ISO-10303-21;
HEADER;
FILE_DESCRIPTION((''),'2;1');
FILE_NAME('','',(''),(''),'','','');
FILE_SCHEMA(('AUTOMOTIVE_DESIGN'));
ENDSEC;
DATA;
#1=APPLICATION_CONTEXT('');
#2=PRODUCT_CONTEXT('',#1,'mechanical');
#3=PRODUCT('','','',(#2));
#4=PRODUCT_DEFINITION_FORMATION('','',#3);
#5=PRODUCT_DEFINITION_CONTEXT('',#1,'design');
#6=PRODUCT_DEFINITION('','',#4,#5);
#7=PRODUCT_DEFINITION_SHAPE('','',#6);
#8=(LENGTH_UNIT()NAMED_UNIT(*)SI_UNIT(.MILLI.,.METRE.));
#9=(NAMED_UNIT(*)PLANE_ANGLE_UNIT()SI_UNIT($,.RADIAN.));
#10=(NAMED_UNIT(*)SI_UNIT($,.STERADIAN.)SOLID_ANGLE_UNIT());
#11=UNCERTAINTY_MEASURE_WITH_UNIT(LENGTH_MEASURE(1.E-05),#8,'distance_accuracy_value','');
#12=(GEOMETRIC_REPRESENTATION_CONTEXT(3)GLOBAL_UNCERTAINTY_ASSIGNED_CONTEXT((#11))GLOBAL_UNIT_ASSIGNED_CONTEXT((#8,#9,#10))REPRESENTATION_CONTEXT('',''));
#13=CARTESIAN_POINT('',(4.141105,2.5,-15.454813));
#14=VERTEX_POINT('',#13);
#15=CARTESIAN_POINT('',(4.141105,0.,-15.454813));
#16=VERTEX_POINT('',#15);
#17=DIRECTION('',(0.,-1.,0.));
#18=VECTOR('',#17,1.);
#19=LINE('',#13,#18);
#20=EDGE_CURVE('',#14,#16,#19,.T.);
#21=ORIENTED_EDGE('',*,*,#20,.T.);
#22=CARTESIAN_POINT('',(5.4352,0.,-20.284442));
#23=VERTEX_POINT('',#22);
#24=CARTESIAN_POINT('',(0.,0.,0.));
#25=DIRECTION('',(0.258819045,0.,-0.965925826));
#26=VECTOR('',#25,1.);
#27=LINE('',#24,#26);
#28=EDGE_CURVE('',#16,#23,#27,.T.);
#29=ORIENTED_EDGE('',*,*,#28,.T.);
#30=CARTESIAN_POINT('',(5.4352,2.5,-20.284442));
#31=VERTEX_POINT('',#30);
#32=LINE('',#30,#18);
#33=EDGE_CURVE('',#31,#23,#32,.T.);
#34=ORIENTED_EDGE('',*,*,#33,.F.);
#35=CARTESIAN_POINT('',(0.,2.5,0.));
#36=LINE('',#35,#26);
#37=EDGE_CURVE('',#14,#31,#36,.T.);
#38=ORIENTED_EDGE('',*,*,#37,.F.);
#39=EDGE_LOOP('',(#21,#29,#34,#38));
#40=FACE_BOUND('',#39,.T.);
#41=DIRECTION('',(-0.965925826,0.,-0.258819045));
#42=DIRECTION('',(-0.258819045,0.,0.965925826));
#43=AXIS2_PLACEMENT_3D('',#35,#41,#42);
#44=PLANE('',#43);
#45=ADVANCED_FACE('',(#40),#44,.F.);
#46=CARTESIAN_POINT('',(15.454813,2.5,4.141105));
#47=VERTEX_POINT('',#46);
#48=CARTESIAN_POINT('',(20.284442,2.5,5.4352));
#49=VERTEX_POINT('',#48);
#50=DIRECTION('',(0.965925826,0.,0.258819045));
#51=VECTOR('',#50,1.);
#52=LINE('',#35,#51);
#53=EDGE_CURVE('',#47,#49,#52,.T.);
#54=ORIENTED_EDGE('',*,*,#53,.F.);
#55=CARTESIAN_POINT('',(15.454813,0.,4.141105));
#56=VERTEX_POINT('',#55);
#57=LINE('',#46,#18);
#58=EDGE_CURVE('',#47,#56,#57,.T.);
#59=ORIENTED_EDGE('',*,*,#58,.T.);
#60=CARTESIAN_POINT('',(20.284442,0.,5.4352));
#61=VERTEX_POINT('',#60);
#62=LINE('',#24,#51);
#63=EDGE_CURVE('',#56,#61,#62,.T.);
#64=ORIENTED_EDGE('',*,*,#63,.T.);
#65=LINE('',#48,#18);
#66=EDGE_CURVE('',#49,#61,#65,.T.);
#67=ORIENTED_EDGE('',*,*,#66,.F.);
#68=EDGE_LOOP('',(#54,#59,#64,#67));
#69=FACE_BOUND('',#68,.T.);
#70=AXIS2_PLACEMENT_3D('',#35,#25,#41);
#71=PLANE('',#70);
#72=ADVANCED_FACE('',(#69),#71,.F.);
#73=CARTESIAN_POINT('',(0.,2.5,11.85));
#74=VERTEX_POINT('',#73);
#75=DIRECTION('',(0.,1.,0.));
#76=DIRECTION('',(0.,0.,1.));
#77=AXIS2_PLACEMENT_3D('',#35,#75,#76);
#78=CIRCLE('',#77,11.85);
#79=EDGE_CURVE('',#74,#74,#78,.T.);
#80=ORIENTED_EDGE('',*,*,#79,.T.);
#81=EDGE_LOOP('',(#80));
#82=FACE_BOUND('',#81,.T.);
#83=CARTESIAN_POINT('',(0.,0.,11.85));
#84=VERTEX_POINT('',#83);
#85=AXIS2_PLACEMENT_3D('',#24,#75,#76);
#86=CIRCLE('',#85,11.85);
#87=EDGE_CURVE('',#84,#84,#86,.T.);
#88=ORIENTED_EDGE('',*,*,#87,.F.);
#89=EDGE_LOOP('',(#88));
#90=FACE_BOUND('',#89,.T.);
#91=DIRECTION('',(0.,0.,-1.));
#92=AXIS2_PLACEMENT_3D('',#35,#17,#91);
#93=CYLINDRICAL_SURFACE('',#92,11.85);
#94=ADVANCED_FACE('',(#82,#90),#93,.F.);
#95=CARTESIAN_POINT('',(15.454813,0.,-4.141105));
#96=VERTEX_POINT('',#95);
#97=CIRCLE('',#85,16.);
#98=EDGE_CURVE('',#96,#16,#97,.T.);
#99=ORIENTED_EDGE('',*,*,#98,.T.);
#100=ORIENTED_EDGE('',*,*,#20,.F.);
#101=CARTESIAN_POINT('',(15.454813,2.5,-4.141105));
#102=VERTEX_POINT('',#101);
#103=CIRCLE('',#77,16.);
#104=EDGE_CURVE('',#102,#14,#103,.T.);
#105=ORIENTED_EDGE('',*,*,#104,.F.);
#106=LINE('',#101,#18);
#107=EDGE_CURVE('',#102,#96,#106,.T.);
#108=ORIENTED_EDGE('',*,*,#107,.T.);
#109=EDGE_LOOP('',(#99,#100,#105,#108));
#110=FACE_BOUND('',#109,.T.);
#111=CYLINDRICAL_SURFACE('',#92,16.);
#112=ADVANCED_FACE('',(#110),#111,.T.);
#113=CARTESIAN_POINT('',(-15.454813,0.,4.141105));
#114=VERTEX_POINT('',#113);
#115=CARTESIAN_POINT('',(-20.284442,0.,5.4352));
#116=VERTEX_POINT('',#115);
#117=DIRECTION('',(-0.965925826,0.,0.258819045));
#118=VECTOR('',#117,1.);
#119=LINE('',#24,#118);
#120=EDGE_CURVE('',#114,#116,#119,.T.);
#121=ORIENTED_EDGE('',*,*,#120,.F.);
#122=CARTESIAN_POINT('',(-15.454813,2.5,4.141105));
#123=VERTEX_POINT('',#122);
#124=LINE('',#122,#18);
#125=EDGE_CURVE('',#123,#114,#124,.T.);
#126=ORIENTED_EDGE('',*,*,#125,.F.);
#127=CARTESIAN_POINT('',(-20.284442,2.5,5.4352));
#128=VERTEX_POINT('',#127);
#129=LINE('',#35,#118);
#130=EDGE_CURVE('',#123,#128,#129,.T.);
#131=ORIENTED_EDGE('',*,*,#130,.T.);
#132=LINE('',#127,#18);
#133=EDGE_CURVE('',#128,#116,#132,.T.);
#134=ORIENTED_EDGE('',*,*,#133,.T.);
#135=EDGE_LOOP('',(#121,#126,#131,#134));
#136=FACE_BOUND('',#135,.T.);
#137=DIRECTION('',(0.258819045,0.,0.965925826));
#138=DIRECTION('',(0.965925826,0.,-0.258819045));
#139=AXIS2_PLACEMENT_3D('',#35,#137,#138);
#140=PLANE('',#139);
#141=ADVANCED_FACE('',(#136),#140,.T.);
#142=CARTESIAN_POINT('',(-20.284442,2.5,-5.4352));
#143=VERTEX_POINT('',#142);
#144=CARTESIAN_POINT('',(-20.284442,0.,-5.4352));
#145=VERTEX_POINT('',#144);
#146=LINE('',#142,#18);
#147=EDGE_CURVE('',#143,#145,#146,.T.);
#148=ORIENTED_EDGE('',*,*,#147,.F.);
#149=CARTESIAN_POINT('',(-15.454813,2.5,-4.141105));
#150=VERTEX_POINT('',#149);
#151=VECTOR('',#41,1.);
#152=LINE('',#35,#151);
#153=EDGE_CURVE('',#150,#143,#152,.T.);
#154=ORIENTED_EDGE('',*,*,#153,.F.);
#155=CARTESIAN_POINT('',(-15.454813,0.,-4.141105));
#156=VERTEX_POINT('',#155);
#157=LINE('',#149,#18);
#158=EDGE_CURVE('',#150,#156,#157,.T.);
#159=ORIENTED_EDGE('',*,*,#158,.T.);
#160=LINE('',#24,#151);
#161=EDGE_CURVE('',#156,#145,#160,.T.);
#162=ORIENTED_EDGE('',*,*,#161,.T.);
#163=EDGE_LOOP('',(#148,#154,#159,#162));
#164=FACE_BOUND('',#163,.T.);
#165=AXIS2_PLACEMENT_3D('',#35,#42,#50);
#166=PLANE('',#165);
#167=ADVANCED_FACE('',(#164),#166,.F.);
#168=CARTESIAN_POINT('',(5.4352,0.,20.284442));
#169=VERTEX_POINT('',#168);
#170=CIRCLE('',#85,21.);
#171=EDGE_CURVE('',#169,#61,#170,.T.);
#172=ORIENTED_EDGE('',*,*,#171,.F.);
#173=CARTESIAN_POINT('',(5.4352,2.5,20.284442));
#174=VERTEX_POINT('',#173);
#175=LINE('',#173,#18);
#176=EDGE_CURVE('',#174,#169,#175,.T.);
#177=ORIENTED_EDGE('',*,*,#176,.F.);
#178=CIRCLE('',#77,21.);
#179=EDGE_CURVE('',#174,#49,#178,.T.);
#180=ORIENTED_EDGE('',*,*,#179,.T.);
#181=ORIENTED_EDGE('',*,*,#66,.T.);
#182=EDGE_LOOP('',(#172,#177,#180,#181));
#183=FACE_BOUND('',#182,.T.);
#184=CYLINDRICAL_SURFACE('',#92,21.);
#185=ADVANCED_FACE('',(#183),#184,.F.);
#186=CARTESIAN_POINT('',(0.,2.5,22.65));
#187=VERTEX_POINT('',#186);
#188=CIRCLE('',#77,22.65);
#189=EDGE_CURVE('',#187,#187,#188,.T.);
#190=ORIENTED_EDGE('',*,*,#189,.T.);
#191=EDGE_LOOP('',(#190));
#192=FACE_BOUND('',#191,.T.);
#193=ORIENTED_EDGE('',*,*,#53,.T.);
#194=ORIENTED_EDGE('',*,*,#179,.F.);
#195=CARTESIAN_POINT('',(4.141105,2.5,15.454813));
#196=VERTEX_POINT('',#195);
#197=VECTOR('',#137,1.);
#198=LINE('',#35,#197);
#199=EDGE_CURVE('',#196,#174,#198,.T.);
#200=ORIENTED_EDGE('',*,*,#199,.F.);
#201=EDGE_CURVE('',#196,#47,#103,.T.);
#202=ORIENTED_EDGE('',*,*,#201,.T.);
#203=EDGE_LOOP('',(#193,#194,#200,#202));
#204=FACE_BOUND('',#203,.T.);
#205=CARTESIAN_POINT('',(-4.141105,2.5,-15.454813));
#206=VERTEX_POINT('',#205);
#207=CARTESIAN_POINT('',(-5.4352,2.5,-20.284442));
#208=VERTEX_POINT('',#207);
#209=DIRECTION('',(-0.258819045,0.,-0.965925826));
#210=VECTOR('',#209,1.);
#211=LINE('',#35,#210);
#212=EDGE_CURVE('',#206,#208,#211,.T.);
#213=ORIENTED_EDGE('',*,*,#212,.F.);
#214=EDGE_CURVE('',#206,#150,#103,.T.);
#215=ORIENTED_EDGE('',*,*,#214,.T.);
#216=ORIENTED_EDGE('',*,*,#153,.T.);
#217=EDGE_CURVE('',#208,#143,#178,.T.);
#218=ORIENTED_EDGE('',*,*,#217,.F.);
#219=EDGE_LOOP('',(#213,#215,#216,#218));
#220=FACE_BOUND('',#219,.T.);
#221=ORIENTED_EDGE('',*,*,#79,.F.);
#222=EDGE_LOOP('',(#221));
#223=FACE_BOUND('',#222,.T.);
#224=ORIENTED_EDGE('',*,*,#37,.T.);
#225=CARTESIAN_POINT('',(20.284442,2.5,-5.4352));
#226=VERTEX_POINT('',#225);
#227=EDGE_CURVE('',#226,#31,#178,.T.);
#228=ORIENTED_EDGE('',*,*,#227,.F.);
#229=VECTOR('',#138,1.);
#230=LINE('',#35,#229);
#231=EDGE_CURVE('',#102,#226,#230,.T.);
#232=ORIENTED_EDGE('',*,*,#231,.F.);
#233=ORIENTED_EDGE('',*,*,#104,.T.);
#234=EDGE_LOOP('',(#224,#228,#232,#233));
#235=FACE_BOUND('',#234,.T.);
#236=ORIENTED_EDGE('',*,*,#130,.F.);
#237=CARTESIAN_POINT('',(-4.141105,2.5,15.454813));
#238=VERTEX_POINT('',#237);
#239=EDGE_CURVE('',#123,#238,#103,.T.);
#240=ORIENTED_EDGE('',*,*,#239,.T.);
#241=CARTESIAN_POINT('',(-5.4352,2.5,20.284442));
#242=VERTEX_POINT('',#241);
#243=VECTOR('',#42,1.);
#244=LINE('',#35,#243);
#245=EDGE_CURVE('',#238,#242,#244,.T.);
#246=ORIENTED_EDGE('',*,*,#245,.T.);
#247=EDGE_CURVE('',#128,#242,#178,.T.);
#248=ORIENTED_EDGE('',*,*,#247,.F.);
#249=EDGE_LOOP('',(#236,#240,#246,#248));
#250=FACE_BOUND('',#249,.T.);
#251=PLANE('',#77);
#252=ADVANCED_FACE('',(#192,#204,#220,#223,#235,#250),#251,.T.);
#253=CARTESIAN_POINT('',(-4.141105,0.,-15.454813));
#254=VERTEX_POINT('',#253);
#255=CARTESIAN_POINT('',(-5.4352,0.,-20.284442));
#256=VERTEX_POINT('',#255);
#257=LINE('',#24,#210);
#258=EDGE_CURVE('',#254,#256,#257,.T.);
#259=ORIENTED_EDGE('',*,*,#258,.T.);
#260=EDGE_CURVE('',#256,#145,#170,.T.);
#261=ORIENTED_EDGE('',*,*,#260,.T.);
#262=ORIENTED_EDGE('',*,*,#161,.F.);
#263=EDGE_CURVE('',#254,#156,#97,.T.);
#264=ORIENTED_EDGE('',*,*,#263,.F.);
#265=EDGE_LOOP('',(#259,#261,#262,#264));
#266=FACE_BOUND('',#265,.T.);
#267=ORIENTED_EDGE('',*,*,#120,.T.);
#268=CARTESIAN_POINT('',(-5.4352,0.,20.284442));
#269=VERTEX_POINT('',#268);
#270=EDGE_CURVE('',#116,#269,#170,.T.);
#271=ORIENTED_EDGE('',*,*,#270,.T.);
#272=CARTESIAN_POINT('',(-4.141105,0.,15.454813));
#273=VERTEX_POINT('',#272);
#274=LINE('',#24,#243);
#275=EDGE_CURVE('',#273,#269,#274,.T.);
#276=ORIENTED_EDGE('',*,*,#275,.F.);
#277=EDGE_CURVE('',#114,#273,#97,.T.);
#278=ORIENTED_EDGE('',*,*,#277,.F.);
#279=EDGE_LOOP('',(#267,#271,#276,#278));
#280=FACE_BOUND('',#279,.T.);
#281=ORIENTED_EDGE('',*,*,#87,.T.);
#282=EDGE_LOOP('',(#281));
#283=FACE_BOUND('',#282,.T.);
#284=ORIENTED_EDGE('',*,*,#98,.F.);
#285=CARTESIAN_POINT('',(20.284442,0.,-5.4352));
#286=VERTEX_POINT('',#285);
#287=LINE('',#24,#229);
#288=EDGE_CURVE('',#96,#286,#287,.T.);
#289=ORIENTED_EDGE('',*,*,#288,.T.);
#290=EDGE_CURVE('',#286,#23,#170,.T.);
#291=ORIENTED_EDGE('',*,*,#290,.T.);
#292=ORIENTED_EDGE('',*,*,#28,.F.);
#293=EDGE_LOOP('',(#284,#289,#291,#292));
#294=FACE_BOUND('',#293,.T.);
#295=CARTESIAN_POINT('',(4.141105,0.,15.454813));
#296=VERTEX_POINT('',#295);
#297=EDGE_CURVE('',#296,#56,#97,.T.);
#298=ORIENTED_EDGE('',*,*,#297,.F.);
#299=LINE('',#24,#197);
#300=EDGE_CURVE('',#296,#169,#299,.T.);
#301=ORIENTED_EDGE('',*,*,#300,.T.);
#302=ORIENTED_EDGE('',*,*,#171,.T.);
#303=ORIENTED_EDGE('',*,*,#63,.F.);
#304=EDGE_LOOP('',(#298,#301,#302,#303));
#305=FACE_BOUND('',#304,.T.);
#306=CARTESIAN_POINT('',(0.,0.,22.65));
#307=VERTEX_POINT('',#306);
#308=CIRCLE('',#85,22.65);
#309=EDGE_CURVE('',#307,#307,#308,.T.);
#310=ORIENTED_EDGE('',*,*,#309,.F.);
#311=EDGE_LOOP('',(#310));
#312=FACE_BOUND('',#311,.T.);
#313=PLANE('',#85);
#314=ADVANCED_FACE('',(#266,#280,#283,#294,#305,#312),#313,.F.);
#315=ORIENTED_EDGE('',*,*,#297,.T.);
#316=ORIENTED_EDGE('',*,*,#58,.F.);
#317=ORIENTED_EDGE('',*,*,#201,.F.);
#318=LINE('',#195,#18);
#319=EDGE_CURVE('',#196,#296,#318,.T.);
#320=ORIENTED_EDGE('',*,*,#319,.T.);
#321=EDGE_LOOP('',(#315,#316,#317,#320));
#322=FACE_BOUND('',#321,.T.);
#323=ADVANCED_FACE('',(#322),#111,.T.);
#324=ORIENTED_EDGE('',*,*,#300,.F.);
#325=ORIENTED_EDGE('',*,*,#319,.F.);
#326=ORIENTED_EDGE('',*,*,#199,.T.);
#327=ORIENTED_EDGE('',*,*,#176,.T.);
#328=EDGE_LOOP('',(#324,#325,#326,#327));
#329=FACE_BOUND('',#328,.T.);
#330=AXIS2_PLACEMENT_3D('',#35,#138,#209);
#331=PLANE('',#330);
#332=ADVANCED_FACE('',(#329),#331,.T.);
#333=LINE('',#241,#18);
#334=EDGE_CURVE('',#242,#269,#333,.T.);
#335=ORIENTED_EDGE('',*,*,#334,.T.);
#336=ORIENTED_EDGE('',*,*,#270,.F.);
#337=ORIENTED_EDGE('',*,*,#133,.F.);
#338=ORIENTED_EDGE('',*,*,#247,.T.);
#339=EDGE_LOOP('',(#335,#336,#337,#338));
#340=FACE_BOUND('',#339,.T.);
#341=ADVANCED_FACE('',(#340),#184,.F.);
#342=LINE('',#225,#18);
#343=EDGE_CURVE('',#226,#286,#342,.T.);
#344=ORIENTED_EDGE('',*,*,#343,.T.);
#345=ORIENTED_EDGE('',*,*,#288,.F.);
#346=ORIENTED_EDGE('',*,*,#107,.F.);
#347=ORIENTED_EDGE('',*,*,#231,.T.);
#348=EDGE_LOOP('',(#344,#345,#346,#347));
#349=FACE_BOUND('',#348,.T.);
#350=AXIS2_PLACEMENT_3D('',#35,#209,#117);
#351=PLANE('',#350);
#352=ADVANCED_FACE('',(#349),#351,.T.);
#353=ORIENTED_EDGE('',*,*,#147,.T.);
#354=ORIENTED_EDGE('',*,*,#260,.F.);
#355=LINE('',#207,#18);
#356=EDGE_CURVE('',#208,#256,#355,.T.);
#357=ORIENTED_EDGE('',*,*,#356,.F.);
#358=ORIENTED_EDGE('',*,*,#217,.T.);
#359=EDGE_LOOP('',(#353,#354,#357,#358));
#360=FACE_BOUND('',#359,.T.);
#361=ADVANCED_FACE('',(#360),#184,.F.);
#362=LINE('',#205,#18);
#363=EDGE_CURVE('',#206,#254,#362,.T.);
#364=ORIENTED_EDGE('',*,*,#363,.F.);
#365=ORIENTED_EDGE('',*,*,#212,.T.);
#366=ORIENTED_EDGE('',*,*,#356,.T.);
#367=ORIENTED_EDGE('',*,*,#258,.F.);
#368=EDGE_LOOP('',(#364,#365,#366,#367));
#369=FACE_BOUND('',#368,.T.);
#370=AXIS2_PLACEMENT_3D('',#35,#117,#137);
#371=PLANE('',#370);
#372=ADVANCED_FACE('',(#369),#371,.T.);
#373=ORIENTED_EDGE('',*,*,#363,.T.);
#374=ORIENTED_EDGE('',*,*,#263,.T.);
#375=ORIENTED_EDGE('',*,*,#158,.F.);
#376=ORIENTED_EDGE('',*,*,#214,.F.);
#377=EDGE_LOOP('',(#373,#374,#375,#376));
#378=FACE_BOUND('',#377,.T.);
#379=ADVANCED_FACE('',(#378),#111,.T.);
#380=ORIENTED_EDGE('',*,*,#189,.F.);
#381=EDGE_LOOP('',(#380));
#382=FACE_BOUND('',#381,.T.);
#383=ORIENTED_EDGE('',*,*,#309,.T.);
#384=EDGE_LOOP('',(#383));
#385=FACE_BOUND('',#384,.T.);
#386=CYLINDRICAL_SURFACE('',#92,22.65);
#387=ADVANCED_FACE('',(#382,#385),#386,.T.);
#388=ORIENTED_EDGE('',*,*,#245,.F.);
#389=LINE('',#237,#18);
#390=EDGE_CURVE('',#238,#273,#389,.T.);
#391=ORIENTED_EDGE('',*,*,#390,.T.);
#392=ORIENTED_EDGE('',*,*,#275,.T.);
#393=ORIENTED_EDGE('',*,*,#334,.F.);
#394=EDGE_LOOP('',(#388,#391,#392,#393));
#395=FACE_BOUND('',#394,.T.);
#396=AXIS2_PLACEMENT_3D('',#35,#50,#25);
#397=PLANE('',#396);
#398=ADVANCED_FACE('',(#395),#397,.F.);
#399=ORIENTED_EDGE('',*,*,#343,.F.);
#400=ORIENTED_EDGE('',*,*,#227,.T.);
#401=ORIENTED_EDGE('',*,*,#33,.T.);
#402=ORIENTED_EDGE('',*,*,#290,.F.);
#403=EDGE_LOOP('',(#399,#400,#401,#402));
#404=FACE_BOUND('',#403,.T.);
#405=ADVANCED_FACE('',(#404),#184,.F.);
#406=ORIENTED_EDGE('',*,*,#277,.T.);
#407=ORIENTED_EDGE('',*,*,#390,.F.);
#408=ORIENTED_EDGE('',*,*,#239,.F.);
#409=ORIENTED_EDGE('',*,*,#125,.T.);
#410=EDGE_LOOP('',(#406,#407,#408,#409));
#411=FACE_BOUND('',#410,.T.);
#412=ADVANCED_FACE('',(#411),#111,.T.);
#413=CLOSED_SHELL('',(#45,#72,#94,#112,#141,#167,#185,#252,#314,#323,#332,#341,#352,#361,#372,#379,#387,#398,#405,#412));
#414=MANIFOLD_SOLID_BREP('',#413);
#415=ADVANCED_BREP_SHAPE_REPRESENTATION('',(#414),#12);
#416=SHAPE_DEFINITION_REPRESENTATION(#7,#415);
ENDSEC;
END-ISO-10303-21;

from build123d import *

# Parameters (mm, degrees)
BOSS_EXTRUDE2_DEPTH = 2.5


with BuildPart() as part:
    # Sketch1 → Boss-Extrude2 (new body)
    with BuildSketch(Plane(origin=(0, 0, 0), x_dir=(1, 0, 0), z_dir=(0, 1, 0))):
        with BuildLine():
            ThreePointArc((-20.284442352, 5.435199947), (-14.849242405, 14.849242405), (-5.435199947, 20.284442352))
            Line((-5.435199947, 20.284442352), (-5.862251372, 21.878219965))
            ThreePointArc((-5.862251372, 21.878219965), (-16.015968594, 16.015968594), (-21.878219965, 5.862251372))
            Line((-21.878219965, 5.862251372), (-20.284442352, 5.435199947))
        make_face()
        with BuildLine():
            ThreePointArc((-20.284442352, -5.435199947), (-21, 0), (-20.284442352, 5.435199947))
            Line((-20.284442352, 5.435199947), (-21.878219965, 5.862251372))
            ThreePointArc((-21.878219965, 5.862251372), (-22.65, 0), (-21.878219965, -5.862251372))
            Line((-21.878219965, -5.862251372), (-20.284442352, -5.435199947))
        make_face()
        with BuildLine():
            Line((-5.862251372, -21.878219965), (-5.435199947, -20.284442352))
            ThreePointArc((-5.435199947, -20.284442352), (-14.849242405, -14.849242405), (-20.284442352, -5.435199947))
            Line((-20.284442352, -5.435199947), (-21.878219965, -5.862251372))
            ThreePointArc((-21.878219965, -5.862251372), (-16.015968594, -16.015968594), (-5.862251372, -21.878219965))
        make_face()
        with BuildLine():
            ThreePointArc((5.435199947, -20.284442352), (0, -21), (-5.435199947, -20.284442352))
            Line((-5.435199947, -20.284442352), (-5.862251372, -21.878219965))
            ThreePointArc((-5.862251372, -21.878219965), (0, -22.65), (5.862251372, -21.878219965))
            Line((5.862251372, -21.878219965), (5.435199947, -20.284442352))
        make_face()
        with BuildLine():
            Line((21.878219965, -5.862251372), (20.284442352, -5.435199947))
            ThreePointArc((20.284442352, -5.435199947), (14.849242405, -14.849242405), (5.435199947, -20.284442352))
            Line((5.435199947, -20.284442352), (5.862251372, -21.878219965))
            ThreePointArc((5.862251372, -21.878219965), (16.015968594, -16.015968594), (21.878219965, -5.862251372))
        make_face()
        with BuildLine():
            ThreePointArc((21, 0), (20.820342089, -2.741050037), (20.284442352, -5.435199947))
            Line((20.284442352, -5.435199947), (21.878219965, -5.862251372))
            ThreePointArc((21.878219965, -5.862251372), (22.45622611, -2.956418254), (22.65, 0))
            ThreePointArc((22.65, 0), (22.45622611, 2.956418254), (21.878219965, 5.862251372))
            Line((21.878219965, 5.862251372), (20.284442352, 5.435199947))
            ThreePointArc((20.284442352, 5.435199947), (20.820342089, 2.741050037), (21, 0))
        make_face()
        with BuildLine():
            Line((5.862251372, 21.878219965), (5.435199947, 20.284442352))
            ThreePointArc((5.435199947, 20.284442352), (14.849242405, 14.849242405), (20.284442352, 5.435199947))
            Line((20.284442352, 5.435199947), (21.878219965, 5.862251372))
            ThreePointArc((21.878219965, 5.862251372), (16.015968594, 16.015968594), (5.862251372, 21.878219965))
        make_face()
        with BuildLine():
            Line((0, 22.65), (0, 21))
            ThreePointArc((0, 21), (2.741050037, 20.820342089), (5.435199947, 20.284442352))
            Line((5.435199947, 20.284442352), (5.862251372, 21.878219965))
            ThreePointArc((5.862251372, 21.878219965), (2.956418254, 22.45622611), (0, 22.65))
        make_face()
        with BuildLine():
            ThreePointArc((-5.435199947, 20.284442352), (-2.741050037, 20.820342089), (0, 21))
            Line((0, 21), (0, 22.65))
            ThreePointArc((0, 22.65), (-2.956418254, 22.45622611), (-5.862251372, 21.878219965))
            Line((-5.862251372, 21.878219965), (-5.435199947, 20.284442352))
        make_face()
        with BuildLine():
            ThreePointArc((-11.446221042, 3.067005684), (-8.379215357, 8.379215357), (-3.067005684, 11.446221042))
            Line((-3.067005684, 11.446221042), (-4.141104722, 15.454813221))
            ThreePointArc((-4.141104722, 15.454813221), (-11.313708499, 11.313708499), (-15.454813221, 4.141104722))
            Line((-15.454813221, 4.141104722), (-11.446221042, 3.067005684))
        make_face()
        with BuildLine():
            ThreePointArc((-11.446221042, -3.067005684), (-11.85, 0), (-11.446221042, 3.067005684))
            Line((-11.446221042, 3.067005684), (-15.454813221, 4.141104722))
            ThreePointArc((-15.454813221, 4.141104722), (-16, 0), (-15.454813221, -4.141104722))
            Line((-15.454813221, -4.141104722), (-11.446221042, -3.067005684))
        make_face()
        with BuildLine():
            ThreePointArc((3.067005684, -11.446221042), (0, -11.85), (-3.067005684, -11.446221042))
            Line((-3.067005684, -11.446221042), (-4.141104722, -15.454813221))
            ThreePointArc((-4.141104722, -15.454813221), (0, -16), (4.141104722, -15.454813221))
            Line((4.141104722, -15.454813221), (3.067005684, -11.446221042))
        make_face()
        with BuildLine():
            Line((15.454813221, -4.141104722), (11.446221042, -3.067005684))
            ThreePointArc((11.446221042, -3.067005684), (8.379215357, -8.379215357), (3.067005684, -11.446221042))
            Line((3.067005684, -11.446221042), (4.141104722, -15.454813221))
            ThreePointArc((4.141104722, -15.454813221), (11.313708499, -11.313708499), (15.454813221, -4.141104722))
        make_face()
        with BuildLine():
            ThreePointArc((16, 0), (15.863117782, -2.088419076), (15.454813221, -4.141104722))
            Line((15.454813221, -4.141104722), (20.284442352, -5.435199947))
            ThreePointArc((20.284442352, -5.435199947), (20.820342089, -2.741050037), (21, 0))
            ThreePointArc((21, 0), (20.820342089, 2.741050037), (20.284442352, 5.435199947))
            Line((20.284442352, 5.435199947), (15.454813221, 4.141104722))
            ThreePointArc((15.454813221, 4.141104722), (15.863117782, 2.088419076), (16, 0))
        make_face()
        with BuildLine():
            ThreePointArc((11.85, 0), (11.748621607, -1.546735378), (11.446221042, -3.067005684))
            Line((11.446221042, -3.067005684), (15.454813221, -4.141104722))
            ThreePointArc((15.454813221, -4.141104722), (15.863117782, -2.088419076), (16, 0))
            ThreePointArc((16, 0), (15.863117782, 2.088419076), (15.454813221, 4.141104722))
            Line((15.454813221, 4.141104722), (11.446221042, 3.067005684))
            ThreePointArc((11.446221042, 3.067005684), (11.748621607, 1.546735378), (11.85, 0))
        make_face()
        with BuildLine():
            Line((0, 21), (0, 16))
            ThreePointArc((0, 16), (2.088419076, 15.863117782), (4.141104722, 15.454813221))
            Line((4.141104722, 15.454813221), (5.435199947, 20.284442352))
            ThreePointArc((5.435199947, 20.284442352), (2.741050037, 20.820342089), (0, 21))
        make_face()
        with BuildLine():
            ThreePointArc((-3.067005684, 11.446221042), (-1.546735378, 11.748621607), (0, 11.85))
            Line((0, 11.85), (0, 16))
            ThreePointArc((0, 16), (-2.088419076, 15.863117782), (-4.141104722, 15.454813221))
            Line((-4.141104722, 15.454813221), (-3.067005684, 11.446221042))
        make_face()
        with BuildLine():
            Line((0, 16), (0, 11.85))
            ThreePointArc((0, 11.85), (1.546735378, 11.748621607), (3.067005684, 11.446221042))
            Line((3.067005684, 11.446221042), (4.141104722, 15.454813221))
            ThreePointArc((4.141104722, 15.454813221), (2.088419076, 15.863117782), (0, 16))
        make_face()
        with BuildLine():
            Line((-4.141104722, -15.454813221), (-3.067005684, -11.446221042))
            ThreePointArc((-3.067005684, -11.446221042), (-8.379215357, -8.379215357), (-11.446221042, -3.067005684))
            Line((-11.446221042, -3.067005684), (-15.454813221, -4.141104722))
            ThreePointArc((-15.454813221, -4.141104722), (-11.313708499, -11.313708499), (-4.141104722, -15.454813221))
        make_face()
        with BuildLine():
            ThreePointArc((4.141104722, -15.454813221), (0, -16), (-4.141104722, -15.454813221))
            Line((-4.141104722, -15.454813221), (-5.435199947, -20.284442352))
            ThreePointArc((-5.435199947, -20.284442352), (0, -21), (5.435199947, -20.284442352))
            Line((5.435199947, -20.284442352), (4.141104722, -15.454813221))
        make_face()
        with BuildLine():
            ThreePointArc((-4.141104722, 15.454813221), (-2.088419076, 15.863117782), (0, 16))
            Line((0, 16), (0, 21))
            ThreePointArc((0, 21), (-2.741050037, 20.820342089), (-5.435199947, 20.284442352))
            Line((-5.435199947, 20.284442352), (-4.141104722, 15.454813221))
        make_face()
        with BuildLine():
            Line((4.141104722, 15.454813221), (3.067005684, 11.446221042))
            ThreePointArc((3.067005684, 11.446221042), (8.379215357, 8.379215357), (11.446221042, 3.067005684))
            Line((11.446221042, 3.067005684), (15.454813221, 4.141104722))
            ThreePointArc((15.454813221, 4.141104722), (11.313708499, 11.313708499), (4.141104722, 15.454813221))
        make_face()
        with BuildLine():
            ThreePointArc((-15.454813221, -4.141104722), (-16, 0), (-15.454813221, 4.141104722))
            Line((-15.454813221, 4.141104722), (-20.284442352, 5.435199947))
            ThreePointArc((-20.284442352, 5.435199947), (-21, 0), (-20.284442352, -5.435199947))
            Line((-20.284442352, -5.435199947), (-15.454813221, -4.141104722))
        make_face()
    extrude(amount=BOSS_EXTRUDE2_DEPTH)


solid = part.part
